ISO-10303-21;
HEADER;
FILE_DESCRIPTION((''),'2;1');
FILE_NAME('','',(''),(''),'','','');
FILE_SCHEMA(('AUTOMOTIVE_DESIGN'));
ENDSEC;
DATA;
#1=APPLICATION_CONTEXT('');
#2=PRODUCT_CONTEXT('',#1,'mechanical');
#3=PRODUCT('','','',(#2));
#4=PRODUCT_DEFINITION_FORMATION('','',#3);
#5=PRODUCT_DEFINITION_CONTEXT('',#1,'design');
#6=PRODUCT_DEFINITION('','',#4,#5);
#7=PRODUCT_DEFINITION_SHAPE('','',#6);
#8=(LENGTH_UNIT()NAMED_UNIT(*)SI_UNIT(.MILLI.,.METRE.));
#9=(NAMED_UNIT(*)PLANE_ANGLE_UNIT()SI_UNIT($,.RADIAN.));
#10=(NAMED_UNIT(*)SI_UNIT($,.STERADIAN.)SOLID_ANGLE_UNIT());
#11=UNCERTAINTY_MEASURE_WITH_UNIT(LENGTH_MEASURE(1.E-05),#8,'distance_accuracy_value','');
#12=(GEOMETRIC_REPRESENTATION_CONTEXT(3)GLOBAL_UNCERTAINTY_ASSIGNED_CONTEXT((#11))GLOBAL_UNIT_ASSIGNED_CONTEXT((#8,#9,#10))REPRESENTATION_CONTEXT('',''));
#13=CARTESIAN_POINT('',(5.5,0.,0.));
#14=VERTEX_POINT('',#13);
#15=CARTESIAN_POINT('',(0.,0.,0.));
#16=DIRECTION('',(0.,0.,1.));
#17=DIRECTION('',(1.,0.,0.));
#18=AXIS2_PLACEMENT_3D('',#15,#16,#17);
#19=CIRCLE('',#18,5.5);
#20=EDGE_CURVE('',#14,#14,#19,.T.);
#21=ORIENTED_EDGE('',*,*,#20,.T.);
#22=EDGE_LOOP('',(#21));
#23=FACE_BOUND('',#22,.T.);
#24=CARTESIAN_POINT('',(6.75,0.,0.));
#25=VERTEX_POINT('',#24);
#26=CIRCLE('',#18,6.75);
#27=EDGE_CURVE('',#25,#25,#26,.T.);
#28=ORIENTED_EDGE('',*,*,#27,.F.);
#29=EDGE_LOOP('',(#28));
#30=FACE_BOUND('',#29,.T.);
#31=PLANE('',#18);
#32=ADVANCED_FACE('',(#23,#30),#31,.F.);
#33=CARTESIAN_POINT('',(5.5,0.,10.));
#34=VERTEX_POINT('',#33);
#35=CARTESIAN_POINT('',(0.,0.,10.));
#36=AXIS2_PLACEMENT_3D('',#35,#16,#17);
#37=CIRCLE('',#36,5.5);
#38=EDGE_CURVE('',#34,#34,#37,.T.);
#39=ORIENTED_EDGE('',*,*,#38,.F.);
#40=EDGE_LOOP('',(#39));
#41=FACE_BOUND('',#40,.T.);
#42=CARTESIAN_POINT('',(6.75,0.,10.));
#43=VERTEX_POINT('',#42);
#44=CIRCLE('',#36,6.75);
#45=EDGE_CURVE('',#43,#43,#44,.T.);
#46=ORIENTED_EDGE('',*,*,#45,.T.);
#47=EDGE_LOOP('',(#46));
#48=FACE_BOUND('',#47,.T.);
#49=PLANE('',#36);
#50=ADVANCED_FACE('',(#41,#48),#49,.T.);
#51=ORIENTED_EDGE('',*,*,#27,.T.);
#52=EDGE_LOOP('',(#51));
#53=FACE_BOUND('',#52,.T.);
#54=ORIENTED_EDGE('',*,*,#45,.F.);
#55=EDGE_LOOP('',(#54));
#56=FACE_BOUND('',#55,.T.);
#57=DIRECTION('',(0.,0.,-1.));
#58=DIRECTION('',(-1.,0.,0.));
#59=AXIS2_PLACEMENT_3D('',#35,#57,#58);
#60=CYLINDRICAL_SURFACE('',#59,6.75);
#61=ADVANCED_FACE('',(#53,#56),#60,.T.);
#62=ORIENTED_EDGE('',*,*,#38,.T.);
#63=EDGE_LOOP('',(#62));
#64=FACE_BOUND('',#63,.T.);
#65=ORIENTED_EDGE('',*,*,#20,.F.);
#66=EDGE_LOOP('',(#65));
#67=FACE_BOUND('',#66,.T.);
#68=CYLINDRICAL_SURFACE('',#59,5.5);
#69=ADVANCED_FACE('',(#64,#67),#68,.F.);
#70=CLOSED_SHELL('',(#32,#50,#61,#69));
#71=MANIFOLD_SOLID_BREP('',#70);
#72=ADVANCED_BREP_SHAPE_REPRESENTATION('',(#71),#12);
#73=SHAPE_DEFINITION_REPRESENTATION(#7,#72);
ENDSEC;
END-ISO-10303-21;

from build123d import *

# Parameters (mm, degrees)
SKETCH1_R           = 6.75
SKETCH1_R_2         = 5.5
BOSS_EXTRUDE1_DEPTH = 10


with BuildPart() as part:
    # Sketch1 → Boss-Extrude1 (new body)
    with BuildSketch(Plane.XY):
        Circle(SKETCH1_R)
        Circle(SKETCH1_R_2, mode=Mode.SUBTRACT)
    extrude(amount=BOSS_EXTRUDE1_DEPTH)


solid = part.part
